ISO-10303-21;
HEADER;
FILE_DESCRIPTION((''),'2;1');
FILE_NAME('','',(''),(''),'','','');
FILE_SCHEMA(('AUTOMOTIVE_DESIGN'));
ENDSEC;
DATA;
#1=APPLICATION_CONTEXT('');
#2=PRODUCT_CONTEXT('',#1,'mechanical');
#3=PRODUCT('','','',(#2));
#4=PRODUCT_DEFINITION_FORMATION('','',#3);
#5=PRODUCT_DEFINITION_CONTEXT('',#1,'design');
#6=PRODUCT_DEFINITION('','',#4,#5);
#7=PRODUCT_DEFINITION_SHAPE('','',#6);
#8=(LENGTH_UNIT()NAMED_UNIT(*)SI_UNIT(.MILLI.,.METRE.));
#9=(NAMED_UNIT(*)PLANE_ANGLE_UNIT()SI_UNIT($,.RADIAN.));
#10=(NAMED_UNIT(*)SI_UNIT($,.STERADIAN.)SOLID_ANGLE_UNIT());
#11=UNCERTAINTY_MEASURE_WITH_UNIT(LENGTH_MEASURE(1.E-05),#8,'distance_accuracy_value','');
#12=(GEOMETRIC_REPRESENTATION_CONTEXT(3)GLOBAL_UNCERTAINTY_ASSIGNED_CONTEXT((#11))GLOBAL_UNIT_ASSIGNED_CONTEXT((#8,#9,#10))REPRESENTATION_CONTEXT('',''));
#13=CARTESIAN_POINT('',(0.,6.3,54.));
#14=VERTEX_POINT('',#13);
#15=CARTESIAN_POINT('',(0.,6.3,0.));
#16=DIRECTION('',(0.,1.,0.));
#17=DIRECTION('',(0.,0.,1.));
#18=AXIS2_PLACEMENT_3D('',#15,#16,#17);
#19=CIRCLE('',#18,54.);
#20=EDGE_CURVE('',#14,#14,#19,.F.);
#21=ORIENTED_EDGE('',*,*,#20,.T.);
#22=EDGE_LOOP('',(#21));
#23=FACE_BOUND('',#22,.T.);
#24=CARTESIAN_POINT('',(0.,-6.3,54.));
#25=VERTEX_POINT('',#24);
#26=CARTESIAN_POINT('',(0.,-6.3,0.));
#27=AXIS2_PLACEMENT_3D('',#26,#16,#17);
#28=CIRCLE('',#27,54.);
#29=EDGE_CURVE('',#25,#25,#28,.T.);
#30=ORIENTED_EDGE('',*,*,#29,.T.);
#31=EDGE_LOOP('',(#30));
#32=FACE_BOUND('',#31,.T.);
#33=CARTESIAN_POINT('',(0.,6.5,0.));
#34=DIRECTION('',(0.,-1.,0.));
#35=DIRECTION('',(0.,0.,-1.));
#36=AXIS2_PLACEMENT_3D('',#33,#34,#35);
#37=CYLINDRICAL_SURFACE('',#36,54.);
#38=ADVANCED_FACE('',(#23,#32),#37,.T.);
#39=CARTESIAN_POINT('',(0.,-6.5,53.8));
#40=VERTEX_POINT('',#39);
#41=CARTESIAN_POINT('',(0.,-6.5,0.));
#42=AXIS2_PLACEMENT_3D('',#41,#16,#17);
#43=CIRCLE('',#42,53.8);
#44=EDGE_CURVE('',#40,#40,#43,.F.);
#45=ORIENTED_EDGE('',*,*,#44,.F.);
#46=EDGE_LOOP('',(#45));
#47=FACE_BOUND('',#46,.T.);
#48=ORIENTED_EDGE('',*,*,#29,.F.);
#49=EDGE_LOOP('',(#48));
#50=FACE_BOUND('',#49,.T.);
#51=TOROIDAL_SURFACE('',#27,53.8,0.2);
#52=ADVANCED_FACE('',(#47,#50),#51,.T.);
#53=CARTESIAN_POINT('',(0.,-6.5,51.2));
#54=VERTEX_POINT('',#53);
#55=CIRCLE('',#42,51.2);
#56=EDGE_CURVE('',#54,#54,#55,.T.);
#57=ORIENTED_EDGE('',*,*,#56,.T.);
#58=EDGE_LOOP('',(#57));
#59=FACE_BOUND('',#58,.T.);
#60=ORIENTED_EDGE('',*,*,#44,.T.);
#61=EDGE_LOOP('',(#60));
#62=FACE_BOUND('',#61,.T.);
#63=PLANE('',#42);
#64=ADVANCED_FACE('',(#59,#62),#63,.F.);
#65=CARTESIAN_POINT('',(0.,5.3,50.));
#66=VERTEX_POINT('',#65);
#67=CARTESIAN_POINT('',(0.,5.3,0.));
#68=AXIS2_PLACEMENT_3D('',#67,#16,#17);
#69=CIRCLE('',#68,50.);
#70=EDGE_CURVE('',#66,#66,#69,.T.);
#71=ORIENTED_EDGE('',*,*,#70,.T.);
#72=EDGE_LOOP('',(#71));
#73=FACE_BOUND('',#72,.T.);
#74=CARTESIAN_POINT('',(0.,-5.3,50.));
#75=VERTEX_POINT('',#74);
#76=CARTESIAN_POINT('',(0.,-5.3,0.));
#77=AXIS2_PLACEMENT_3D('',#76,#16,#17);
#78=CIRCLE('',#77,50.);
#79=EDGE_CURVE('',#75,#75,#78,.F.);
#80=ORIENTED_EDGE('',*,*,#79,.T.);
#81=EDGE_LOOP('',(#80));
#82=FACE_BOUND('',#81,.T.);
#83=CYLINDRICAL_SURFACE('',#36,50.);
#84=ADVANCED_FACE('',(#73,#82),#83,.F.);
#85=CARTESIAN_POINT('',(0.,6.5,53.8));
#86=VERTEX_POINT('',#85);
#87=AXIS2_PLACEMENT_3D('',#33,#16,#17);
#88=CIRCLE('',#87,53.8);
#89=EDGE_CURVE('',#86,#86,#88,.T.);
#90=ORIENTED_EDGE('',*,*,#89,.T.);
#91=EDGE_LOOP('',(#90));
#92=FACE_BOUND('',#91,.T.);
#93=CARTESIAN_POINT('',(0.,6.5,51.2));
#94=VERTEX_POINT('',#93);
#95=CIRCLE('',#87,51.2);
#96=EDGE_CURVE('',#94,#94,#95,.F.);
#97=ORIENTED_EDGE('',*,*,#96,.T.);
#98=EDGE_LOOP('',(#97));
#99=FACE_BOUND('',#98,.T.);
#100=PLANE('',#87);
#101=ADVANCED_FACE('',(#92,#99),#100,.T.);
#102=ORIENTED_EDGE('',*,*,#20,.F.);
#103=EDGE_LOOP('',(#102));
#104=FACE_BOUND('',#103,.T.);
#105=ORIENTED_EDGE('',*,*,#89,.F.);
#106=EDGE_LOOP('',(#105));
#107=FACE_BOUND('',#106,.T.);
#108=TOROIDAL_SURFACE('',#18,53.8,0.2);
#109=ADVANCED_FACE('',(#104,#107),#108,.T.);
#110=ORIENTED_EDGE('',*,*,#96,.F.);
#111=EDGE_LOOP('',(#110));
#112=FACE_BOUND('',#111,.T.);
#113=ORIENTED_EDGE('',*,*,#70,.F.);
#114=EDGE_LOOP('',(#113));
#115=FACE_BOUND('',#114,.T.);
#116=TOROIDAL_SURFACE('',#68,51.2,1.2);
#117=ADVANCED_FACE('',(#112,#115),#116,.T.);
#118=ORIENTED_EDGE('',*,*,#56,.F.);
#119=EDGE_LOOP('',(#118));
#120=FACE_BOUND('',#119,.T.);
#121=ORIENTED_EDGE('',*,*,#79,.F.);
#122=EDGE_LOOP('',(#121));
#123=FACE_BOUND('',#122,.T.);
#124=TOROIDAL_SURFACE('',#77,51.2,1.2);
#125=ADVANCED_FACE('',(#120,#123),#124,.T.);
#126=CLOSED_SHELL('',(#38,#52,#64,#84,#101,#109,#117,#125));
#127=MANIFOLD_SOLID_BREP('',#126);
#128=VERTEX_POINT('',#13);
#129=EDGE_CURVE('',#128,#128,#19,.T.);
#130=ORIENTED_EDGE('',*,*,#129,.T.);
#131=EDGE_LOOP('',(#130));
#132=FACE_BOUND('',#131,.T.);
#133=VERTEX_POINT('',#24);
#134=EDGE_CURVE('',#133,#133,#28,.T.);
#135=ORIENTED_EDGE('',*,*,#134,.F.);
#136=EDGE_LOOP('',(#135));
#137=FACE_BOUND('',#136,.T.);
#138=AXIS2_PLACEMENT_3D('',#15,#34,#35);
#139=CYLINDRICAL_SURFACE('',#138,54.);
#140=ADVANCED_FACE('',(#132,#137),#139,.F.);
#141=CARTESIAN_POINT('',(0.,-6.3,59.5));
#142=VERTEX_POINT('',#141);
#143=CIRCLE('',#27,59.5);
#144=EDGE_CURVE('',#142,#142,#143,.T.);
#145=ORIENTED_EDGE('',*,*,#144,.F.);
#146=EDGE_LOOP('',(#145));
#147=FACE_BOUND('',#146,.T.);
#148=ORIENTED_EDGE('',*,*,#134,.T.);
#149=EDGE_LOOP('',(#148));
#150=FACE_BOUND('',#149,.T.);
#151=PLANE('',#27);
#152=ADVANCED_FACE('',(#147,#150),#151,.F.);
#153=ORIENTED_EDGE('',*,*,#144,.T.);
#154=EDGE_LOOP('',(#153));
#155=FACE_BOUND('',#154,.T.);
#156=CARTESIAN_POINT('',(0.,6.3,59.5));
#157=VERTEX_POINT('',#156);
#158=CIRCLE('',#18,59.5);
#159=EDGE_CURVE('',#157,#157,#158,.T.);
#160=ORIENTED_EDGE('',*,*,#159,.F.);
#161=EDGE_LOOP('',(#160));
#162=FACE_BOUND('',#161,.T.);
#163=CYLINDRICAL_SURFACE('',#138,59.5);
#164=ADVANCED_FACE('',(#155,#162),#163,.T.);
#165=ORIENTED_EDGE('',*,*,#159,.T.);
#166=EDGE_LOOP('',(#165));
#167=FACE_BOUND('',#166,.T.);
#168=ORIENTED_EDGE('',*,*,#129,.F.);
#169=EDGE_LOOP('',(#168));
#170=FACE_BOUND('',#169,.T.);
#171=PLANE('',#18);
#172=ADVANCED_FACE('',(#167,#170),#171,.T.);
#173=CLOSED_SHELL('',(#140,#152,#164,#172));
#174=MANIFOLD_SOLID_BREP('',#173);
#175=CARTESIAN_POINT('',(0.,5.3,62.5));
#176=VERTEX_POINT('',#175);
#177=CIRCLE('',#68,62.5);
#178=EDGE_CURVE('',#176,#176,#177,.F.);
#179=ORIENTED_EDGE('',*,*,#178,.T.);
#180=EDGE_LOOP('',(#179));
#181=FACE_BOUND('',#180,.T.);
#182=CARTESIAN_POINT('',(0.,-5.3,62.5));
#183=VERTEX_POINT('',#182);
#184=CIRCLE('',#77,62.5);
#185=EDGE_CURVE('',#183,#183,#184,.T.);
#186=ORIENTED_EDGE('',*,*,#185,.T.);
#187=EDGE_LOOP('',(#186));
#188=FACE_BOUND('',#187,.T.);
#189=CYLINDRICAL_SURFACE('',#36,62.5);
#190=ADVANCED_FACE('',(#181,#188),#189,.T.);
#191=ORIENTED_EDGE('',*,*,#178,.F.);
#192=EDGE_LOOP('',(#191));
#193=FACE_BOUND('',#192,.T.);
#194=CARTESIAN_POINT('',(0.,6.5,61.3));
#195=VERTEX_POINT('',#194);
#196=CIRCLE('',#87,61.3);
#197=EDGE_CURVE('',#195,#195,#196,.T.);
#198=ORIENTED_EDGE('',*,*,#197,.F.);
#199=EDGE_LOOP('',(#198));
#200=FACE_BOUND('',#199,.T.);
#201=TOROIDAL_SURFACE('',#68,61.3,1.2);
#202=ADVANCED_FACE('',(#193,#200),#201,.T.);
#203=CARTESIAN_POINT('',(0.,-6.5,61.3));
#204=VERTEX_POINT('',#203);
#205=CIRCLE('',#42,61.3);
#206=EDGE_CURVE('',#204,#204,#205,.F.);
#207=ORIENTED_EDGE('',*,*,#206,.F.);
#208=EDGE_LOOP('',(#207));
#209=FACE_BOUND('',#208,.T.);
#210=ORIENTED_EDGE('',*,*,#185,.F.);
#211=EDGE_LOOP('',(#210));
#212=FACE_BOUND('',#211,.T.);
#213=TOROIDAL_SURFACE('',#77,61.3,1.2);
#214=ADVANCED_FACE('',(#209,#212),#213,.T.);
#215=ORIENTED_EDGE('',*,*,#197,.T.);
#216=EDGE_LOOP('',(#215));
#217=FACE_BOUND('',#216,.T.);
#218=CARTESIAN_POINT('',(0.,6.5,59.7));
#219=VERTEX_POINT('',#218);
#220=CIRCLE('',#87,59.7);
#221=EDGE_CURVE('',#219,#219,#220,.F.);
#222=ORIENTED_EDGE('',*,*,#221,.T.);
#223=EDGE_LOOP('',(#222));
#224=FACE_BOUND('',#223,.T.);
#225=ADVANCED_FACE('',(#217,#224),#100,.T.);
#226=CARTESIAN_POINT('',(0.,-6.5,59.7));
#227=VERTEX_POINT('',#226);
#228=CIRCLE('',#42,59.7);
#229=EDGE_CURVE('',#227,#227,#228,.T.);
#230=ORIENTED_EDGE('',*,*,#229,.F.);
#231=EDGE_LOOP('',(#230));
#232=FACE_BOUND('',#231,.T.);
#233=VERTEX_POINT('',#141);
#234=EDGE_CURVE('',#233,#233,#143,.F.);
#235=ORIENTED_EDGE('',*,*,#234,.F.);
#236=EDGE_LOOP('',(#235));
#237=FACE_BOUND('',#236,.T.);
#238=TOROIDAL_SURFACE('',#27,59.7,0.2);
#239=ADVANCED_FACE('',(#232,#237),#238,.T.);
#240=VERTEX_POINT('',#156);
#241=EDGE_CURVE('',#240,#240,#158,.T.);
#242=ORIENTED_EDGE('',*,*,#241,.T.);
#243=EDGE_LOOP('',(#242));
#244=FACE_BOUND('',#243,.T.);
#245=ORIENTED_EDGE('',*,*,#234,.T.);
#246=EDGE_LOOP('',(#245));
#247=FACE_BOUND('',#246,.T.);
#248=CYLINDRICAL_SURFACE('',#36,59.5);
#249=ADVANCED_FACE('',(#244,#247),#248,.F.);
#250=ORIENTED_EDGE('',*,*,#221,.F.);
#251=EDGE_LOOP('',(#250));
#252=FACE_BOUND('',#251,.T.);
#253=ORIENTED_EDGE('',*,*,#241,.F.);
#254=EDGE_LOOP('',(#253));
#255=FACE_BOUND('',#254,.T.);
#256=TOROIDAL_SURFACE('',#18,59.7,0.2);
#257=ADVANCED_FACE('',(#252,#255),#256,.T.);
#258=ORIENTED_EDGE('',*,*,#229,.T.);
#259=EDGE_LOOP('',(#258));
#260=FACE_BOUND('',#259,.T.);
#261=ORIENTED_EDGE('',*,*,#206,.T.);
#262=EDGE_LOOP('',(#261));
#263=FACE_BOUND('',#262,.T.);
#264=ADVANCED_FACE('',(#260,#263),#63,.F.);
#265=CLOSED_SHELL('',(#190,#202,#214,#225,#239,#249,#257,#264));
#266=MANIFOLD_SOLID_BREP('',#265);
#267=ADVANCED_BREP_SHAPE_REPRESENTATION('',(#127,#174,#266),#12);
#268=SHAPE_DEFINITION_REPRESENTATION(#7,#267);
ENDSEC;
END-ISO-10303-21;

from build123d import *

# Parameters (mm, degrees)
SKIZZE1_R       = 62.5
SKIZZE1_R_2     = 59.5
AU_ENRING_DEPTH = 6.5
SKIZZE2_R       = 54
SKIZZE2_R_2     = 50
INNENRING_DEPTH = 6.5
VERRUNDUNG1_R   = 1.2
VERRUNDUNG2_R   = 1.2
VERRUNDUNG3_R   = 0.2
VERRUNDUNG4_R   = 0.2
SKIZZE3_R       = 59.5
SKIZZE3_R_2     = 54
DICHTUNG_DEPTH  = 6.3


with BuildPart() as part:
    # Skizze1 → Außenring (new body, symmetric)
    with BuildSketch(Plane(origin=(0, 0, 0), x_dir=(1, 0, 0), z_dir=(0, 1, 0))):
        Circle(SKIZZE1_R)
        Circle(SKIZZE1_R_2, mode=Mode.SUBTRACT)
    extrude(amount=AU_ENRING_DEPTH, both=True)

    # Verrundung1
    verrundung1_edges = [part.edges().sort_by_distance(p)[0] for p in [
        (-62.5, -6.5, 0),
        (-62.5, 6.5, 0),
    ]]
    fillet(verrundung1_edges, radius=VERRUNDUNG1_R)

    # Verrundung4
    verrundung4_edges = [part.edges().sort_by_distance(p)[0] for p in [
        (-59.5, -6.5, 0),
        (-59.5, 6.5, 0),
    ]]
    fillet(verrundung4_edges, radius=VERRUNDUNG4_R)


with BuildPart() as body_2:
    # Skizze2 → Innenring (new body, symmetric)
    with BuildSketch(Plane(origin=(0, 0, 0), x_dir=(1, 0, 0), z_dir=(0, 1, 0))):
        Circle(SKIZZE2_R)
        Circle(SKIZZE2_R_2, mode=Mode.SUBTRACT)
    extrude(amount=INNENRING_DEPTH, both=True)

    # Verrundung2
    verrundung2_edges = [body_2.edges().sort_by_distance(p)[0] for p in [
        (-50, -6.5, 0),
        (-50, 6.5, 0),
    ]]
    fillet(verrundung2_edges, radius=VERRUNDUNG2_R)

    # Verrundung3
    verrundung3_edges = [body_2.edges().sort_by_distance(p)[0] for p in [
        (-54, -6.5, 0),
        (-54, 6.5, 0),
    ]]
    fillet(verrundung3_edges, radius=VERRUNDUNG3_R)


with BuildPart() as body_3:
    # Skizze3 → Dichtung (new body, symmetric)
    with BuildSketch(Plane(origin=(0, 0, 0), x_dir=(1, 0, 0), z_dir=(0, 1, 0))):
        Circle(SKIZZE3_R)
        Circle(SKIZZE3_R_2, mode=Mode.SUBTRACT)
    extrude(amount=DICHTUNG_DEPTH, both=True)


solid = Compound([part.part, body_2.part, body_3.part])
